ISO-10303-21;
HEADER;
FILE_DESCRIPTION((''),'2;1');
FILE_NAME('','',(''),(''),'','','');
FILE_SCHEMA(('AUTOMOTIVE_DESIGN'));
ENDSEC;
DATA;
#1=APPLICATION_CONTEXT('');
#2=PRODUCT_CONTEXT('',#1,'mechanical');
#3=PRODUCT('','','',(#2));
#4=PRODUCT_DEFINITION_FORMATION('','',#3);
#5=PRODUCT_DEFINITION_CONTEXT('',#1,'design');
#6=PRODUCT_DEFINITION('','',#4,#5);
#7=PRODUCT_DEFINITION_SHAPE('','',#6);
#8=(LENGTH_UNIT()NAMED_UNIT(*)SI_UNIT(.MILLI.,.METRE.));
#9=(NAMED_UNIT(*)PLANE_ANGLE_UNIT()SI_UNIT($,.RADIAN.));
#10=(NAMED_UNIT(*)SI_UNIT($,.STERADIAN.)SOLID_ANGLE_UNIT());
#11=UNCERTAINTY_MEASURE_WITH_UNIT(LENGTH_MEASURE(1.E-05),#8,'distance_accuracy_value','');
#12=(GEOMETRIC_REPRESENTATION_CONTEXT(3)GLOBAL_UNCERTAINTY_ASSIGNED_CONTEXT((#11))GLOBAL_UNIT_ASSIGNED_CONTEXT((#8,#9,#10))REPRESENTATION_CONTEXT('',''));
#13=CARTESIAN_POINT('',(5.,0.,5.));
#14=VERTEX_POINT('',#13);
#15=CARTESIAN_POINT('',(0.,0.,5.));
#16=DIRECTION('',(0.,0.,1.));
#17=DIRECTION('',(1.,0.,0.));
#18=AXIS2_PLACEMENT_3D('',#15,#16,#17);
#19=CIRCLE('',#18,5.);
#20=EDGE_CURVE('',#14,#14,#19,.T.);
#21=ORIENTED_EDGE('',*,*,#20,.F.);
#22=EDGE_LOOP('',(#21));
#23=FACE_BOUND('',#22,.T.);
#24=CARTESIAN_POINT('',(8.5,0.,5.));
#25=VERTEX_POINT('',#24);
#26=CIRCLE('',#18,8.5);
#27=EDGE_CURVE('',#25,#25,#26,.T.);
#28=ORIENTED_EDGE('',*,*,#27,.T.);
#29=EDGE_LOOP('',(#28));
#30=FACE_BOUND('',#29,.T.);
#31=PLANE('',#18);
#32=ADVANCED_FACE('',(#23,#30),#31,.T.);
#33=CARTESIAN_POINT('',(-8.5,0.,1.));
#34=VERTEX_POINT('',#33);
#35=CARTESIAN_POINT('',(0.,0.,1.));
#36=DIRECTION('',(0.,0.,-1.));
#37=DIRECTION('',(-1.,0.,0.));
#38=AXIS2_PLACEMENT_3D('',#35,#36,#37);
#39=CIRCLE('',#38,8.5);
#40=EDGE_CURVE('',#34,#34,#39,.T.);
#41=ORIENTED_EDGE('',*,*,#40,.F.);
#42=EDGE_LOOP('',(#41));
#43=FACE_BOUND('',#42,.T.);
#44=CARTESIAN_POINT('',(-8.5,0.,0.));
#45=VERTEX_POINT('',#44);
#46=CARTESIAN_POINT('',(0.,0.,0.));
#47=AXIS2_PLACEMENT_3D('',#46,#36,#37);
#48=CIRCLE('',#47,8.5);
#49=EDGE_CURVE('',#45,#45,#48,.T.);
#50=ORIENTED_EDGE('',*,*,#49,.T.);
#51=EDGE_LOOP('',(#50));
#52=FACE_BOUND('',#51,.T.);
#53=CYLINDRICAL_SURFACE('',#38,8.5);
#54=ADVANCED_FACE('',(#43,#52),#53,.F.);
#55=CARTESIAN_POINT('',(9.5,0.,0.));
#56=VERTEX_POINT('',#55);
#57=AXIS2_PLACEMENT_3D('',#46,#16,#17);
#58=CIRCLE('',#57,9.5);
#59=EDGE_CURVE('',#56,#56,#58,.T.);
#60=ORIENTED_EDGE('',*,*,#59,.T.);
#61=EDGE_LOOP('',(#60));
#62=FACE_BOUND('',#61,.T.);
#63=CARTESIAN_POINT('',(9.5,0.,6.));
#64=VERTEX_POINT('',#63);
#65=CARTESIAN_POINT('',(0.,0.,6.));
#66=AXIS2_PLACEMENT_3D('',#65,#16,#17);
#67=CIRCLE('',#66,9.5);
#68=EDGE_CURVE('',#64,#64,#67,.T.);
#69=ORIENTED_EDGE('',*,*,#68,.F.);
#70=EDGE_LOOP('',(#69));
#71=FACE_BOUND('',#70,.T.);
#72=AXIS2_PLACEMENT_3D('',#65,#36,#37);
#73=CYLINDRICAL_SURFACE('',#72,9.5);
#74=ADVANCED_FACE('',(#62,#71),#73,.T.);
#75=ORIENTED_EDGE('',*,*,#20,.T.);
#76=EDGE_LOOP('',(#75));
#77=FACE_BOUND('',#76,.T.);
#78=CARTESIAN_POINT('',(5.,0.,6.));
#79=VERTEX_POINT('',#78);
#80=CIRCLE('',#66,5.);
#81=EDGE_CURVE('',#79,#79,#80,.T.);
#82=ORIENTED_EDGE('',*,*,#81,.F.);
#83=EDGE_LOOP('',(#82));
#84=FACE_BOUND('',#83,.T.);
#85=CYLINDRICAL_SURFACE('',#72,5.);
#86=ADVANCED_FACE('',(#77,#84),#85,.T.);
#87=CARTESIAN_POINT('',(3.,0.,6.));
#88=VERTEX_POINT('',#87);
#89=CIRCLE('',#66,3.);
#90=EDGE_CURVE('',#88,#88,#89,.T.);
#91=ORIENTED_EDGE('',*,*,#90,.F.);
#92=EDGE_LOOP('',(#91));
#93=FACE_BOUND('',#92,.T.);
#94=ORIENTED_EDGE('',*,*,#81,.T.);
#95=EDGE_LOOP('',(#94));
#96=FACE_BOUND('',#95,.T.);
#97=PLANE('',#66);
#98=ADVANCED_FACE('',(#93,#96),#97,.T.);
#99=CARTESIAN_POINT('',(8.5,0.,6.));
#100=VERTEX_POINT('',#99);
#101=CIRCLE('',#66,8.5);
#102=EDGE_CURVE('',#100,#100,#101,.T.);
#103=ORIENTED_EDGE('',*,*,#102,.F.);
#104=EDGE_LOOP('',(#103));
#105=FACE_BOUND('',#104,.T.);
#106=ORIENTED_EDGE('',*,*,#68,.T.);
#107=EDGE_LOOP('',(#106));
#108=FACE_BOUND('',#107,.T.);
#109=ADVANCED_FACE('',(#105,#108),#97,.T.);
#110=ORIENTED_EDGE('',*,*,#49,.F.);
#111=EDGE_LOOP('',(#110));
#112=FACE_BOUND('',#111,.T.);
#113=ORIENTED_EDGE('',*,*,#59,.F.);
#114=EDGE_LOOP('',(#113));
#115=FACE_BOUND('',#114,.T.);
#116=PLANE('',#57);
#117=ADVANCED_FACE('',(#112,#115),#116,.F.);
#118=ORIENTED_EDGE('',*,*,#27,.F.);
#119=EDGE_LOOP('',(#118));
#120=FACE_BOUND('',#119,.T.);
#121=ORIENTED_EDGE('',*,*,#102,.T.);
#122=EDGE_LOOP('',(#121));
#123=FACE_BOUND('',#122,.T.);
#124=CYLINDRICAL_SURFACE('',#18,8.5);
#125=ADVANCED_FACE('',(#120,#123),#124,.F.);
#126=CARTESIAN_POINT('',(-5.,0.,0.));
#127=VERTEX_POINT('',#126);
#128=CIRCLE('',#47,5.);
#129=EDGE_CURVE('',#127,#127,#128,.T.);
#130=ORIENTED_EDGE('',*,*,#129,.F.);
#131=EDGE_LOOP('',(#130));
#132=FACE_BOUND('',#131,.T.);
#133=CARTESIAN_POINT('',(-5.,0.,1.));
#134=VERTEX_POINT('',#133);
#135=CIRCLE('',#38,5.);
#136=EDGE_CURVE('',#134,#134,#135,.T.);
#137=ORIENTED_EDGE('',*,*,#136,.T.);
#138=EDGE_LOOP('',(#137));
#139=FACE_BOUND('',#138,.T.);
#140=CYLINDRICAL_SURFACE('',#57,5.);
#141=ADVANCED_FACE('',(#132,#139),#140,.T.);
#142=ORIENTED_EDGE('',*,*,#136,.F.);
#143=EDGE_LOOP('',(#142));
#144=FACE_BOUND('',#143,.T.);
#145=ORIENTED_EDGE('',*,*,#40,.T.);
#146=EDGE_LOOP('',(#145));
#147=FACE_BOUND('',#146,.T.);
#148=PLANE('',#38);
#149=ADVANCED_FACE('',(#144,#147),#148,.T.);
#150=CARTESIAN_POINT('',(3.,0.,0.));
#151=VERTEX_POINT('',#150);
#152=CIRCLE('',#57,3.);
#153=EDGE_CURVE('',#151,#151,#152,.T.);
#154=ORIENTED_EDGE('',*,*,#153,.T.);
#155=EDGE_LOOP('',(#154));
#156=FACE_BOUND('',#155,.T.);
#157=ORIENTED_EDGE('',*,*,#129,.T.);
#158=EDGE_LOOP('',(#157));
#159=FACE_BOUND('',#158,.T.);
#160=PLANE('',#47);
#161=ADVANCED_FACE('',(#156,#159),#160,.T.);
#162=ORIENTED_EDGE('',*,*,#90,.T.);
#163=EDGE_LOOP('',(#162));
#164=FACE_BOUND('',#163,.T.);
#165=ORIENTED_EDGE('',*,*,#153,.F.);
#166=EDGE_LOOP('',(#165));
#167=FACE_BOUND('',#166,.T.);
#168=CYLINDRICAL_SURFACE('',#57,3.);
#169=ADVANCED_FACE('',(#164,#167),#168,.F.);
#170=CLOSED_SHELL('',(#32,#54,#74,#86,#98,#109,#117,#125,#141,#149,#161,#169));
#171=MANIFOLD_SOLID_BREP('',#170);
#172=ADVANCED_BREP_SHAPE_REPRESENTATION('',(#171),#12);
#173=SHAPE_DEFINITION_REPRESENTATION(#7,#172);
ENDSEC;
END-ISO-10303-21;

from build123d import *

# Parameters (mm, degrees)
SKETCH_1_R          = 9.5
EXTRUDE_1_DEPTH     = 6
SKETCH_2_R          = 8.5
CUT_EXTRUDE_1_DEPTH = 1
CUT_EXTRUDE_START   = -1
SKETCH_3_R          = 8.5
CUT_EXTRUDE_2_DEPTH = 1
SKETCH_4_R          = 5
EXTRUDE_4_DEPTH     = 1
EXTRUDE_START       = 1
SKETCH_6_R          = 5
EXTRUDE_5_DEPTH     = 1
SKETCH_7_R          = 3
CUT_EXTRUDE_3_DEPTH = 6


with BuildPart() as part:
    # 스케치1 → 돌출1 (new body)
    with BuildSketch(Plane.XY):
        Circle(SKETCH_1_R)
    extrude(amount=EXTRUDE_1_DEPTH)

    # 스케치2 → 컷-돌출1 (cut)
    with BuildSketch(Plane.XY.offset(6)):
        Circle(SKETCH_2_R)
    extrude(amount=-CUT_EXTRUDE_1_DEPTH, mode=Mode.SUBTRACT)

    # 스케치3 → 컷-돌출2 (cut)
    with BuildSketch(Plane(origin=(0, 0, 0), x_dir=(-1, 0, 0), z_dir=(0, 0, -1)).offset(CUT_EXTRUDE_START)):
        with Locations(Location((0, 0, 0), (0, 0, 180))):
            Circle(SKETCH_3_R)
    extrude(amount=CUT_EXTRUDE_2_DEPTH, mode=Mode.SUBTRACT)

    # 스케치4 → 돌출4 (add)
    with BuildSketch(Plane.XY.offset(5)):
        Circle(SKETCH_4_R)
    extrude(amount=EXTRUDE_4_DEPTH)

    # 스케치6 → 돌출5 (add)
    with BuildSketch(Plane(origin=(0, 0, 1), x_dir=(-1, 0, 0), z_dir=(0, 0, -1)).offset(EXTRUDE_START)):
        with Locations(Location((0, 0, 0), (0, 0, 180))):
            Circle(SKETCH_6_R)
    extrude(amount=-EXTRUDE_5_DEPTH)

    # 스케치7 → 컷-돌출3 (cut)
    with BuildSketch(Plane.XY.offset(6)):
        Circle(SKETCH_7_R)
    extrude(amount=-CUT_EXTRUDE_3_DEPTH, mode=Mode.SUBTRACT)


solid = part.part
